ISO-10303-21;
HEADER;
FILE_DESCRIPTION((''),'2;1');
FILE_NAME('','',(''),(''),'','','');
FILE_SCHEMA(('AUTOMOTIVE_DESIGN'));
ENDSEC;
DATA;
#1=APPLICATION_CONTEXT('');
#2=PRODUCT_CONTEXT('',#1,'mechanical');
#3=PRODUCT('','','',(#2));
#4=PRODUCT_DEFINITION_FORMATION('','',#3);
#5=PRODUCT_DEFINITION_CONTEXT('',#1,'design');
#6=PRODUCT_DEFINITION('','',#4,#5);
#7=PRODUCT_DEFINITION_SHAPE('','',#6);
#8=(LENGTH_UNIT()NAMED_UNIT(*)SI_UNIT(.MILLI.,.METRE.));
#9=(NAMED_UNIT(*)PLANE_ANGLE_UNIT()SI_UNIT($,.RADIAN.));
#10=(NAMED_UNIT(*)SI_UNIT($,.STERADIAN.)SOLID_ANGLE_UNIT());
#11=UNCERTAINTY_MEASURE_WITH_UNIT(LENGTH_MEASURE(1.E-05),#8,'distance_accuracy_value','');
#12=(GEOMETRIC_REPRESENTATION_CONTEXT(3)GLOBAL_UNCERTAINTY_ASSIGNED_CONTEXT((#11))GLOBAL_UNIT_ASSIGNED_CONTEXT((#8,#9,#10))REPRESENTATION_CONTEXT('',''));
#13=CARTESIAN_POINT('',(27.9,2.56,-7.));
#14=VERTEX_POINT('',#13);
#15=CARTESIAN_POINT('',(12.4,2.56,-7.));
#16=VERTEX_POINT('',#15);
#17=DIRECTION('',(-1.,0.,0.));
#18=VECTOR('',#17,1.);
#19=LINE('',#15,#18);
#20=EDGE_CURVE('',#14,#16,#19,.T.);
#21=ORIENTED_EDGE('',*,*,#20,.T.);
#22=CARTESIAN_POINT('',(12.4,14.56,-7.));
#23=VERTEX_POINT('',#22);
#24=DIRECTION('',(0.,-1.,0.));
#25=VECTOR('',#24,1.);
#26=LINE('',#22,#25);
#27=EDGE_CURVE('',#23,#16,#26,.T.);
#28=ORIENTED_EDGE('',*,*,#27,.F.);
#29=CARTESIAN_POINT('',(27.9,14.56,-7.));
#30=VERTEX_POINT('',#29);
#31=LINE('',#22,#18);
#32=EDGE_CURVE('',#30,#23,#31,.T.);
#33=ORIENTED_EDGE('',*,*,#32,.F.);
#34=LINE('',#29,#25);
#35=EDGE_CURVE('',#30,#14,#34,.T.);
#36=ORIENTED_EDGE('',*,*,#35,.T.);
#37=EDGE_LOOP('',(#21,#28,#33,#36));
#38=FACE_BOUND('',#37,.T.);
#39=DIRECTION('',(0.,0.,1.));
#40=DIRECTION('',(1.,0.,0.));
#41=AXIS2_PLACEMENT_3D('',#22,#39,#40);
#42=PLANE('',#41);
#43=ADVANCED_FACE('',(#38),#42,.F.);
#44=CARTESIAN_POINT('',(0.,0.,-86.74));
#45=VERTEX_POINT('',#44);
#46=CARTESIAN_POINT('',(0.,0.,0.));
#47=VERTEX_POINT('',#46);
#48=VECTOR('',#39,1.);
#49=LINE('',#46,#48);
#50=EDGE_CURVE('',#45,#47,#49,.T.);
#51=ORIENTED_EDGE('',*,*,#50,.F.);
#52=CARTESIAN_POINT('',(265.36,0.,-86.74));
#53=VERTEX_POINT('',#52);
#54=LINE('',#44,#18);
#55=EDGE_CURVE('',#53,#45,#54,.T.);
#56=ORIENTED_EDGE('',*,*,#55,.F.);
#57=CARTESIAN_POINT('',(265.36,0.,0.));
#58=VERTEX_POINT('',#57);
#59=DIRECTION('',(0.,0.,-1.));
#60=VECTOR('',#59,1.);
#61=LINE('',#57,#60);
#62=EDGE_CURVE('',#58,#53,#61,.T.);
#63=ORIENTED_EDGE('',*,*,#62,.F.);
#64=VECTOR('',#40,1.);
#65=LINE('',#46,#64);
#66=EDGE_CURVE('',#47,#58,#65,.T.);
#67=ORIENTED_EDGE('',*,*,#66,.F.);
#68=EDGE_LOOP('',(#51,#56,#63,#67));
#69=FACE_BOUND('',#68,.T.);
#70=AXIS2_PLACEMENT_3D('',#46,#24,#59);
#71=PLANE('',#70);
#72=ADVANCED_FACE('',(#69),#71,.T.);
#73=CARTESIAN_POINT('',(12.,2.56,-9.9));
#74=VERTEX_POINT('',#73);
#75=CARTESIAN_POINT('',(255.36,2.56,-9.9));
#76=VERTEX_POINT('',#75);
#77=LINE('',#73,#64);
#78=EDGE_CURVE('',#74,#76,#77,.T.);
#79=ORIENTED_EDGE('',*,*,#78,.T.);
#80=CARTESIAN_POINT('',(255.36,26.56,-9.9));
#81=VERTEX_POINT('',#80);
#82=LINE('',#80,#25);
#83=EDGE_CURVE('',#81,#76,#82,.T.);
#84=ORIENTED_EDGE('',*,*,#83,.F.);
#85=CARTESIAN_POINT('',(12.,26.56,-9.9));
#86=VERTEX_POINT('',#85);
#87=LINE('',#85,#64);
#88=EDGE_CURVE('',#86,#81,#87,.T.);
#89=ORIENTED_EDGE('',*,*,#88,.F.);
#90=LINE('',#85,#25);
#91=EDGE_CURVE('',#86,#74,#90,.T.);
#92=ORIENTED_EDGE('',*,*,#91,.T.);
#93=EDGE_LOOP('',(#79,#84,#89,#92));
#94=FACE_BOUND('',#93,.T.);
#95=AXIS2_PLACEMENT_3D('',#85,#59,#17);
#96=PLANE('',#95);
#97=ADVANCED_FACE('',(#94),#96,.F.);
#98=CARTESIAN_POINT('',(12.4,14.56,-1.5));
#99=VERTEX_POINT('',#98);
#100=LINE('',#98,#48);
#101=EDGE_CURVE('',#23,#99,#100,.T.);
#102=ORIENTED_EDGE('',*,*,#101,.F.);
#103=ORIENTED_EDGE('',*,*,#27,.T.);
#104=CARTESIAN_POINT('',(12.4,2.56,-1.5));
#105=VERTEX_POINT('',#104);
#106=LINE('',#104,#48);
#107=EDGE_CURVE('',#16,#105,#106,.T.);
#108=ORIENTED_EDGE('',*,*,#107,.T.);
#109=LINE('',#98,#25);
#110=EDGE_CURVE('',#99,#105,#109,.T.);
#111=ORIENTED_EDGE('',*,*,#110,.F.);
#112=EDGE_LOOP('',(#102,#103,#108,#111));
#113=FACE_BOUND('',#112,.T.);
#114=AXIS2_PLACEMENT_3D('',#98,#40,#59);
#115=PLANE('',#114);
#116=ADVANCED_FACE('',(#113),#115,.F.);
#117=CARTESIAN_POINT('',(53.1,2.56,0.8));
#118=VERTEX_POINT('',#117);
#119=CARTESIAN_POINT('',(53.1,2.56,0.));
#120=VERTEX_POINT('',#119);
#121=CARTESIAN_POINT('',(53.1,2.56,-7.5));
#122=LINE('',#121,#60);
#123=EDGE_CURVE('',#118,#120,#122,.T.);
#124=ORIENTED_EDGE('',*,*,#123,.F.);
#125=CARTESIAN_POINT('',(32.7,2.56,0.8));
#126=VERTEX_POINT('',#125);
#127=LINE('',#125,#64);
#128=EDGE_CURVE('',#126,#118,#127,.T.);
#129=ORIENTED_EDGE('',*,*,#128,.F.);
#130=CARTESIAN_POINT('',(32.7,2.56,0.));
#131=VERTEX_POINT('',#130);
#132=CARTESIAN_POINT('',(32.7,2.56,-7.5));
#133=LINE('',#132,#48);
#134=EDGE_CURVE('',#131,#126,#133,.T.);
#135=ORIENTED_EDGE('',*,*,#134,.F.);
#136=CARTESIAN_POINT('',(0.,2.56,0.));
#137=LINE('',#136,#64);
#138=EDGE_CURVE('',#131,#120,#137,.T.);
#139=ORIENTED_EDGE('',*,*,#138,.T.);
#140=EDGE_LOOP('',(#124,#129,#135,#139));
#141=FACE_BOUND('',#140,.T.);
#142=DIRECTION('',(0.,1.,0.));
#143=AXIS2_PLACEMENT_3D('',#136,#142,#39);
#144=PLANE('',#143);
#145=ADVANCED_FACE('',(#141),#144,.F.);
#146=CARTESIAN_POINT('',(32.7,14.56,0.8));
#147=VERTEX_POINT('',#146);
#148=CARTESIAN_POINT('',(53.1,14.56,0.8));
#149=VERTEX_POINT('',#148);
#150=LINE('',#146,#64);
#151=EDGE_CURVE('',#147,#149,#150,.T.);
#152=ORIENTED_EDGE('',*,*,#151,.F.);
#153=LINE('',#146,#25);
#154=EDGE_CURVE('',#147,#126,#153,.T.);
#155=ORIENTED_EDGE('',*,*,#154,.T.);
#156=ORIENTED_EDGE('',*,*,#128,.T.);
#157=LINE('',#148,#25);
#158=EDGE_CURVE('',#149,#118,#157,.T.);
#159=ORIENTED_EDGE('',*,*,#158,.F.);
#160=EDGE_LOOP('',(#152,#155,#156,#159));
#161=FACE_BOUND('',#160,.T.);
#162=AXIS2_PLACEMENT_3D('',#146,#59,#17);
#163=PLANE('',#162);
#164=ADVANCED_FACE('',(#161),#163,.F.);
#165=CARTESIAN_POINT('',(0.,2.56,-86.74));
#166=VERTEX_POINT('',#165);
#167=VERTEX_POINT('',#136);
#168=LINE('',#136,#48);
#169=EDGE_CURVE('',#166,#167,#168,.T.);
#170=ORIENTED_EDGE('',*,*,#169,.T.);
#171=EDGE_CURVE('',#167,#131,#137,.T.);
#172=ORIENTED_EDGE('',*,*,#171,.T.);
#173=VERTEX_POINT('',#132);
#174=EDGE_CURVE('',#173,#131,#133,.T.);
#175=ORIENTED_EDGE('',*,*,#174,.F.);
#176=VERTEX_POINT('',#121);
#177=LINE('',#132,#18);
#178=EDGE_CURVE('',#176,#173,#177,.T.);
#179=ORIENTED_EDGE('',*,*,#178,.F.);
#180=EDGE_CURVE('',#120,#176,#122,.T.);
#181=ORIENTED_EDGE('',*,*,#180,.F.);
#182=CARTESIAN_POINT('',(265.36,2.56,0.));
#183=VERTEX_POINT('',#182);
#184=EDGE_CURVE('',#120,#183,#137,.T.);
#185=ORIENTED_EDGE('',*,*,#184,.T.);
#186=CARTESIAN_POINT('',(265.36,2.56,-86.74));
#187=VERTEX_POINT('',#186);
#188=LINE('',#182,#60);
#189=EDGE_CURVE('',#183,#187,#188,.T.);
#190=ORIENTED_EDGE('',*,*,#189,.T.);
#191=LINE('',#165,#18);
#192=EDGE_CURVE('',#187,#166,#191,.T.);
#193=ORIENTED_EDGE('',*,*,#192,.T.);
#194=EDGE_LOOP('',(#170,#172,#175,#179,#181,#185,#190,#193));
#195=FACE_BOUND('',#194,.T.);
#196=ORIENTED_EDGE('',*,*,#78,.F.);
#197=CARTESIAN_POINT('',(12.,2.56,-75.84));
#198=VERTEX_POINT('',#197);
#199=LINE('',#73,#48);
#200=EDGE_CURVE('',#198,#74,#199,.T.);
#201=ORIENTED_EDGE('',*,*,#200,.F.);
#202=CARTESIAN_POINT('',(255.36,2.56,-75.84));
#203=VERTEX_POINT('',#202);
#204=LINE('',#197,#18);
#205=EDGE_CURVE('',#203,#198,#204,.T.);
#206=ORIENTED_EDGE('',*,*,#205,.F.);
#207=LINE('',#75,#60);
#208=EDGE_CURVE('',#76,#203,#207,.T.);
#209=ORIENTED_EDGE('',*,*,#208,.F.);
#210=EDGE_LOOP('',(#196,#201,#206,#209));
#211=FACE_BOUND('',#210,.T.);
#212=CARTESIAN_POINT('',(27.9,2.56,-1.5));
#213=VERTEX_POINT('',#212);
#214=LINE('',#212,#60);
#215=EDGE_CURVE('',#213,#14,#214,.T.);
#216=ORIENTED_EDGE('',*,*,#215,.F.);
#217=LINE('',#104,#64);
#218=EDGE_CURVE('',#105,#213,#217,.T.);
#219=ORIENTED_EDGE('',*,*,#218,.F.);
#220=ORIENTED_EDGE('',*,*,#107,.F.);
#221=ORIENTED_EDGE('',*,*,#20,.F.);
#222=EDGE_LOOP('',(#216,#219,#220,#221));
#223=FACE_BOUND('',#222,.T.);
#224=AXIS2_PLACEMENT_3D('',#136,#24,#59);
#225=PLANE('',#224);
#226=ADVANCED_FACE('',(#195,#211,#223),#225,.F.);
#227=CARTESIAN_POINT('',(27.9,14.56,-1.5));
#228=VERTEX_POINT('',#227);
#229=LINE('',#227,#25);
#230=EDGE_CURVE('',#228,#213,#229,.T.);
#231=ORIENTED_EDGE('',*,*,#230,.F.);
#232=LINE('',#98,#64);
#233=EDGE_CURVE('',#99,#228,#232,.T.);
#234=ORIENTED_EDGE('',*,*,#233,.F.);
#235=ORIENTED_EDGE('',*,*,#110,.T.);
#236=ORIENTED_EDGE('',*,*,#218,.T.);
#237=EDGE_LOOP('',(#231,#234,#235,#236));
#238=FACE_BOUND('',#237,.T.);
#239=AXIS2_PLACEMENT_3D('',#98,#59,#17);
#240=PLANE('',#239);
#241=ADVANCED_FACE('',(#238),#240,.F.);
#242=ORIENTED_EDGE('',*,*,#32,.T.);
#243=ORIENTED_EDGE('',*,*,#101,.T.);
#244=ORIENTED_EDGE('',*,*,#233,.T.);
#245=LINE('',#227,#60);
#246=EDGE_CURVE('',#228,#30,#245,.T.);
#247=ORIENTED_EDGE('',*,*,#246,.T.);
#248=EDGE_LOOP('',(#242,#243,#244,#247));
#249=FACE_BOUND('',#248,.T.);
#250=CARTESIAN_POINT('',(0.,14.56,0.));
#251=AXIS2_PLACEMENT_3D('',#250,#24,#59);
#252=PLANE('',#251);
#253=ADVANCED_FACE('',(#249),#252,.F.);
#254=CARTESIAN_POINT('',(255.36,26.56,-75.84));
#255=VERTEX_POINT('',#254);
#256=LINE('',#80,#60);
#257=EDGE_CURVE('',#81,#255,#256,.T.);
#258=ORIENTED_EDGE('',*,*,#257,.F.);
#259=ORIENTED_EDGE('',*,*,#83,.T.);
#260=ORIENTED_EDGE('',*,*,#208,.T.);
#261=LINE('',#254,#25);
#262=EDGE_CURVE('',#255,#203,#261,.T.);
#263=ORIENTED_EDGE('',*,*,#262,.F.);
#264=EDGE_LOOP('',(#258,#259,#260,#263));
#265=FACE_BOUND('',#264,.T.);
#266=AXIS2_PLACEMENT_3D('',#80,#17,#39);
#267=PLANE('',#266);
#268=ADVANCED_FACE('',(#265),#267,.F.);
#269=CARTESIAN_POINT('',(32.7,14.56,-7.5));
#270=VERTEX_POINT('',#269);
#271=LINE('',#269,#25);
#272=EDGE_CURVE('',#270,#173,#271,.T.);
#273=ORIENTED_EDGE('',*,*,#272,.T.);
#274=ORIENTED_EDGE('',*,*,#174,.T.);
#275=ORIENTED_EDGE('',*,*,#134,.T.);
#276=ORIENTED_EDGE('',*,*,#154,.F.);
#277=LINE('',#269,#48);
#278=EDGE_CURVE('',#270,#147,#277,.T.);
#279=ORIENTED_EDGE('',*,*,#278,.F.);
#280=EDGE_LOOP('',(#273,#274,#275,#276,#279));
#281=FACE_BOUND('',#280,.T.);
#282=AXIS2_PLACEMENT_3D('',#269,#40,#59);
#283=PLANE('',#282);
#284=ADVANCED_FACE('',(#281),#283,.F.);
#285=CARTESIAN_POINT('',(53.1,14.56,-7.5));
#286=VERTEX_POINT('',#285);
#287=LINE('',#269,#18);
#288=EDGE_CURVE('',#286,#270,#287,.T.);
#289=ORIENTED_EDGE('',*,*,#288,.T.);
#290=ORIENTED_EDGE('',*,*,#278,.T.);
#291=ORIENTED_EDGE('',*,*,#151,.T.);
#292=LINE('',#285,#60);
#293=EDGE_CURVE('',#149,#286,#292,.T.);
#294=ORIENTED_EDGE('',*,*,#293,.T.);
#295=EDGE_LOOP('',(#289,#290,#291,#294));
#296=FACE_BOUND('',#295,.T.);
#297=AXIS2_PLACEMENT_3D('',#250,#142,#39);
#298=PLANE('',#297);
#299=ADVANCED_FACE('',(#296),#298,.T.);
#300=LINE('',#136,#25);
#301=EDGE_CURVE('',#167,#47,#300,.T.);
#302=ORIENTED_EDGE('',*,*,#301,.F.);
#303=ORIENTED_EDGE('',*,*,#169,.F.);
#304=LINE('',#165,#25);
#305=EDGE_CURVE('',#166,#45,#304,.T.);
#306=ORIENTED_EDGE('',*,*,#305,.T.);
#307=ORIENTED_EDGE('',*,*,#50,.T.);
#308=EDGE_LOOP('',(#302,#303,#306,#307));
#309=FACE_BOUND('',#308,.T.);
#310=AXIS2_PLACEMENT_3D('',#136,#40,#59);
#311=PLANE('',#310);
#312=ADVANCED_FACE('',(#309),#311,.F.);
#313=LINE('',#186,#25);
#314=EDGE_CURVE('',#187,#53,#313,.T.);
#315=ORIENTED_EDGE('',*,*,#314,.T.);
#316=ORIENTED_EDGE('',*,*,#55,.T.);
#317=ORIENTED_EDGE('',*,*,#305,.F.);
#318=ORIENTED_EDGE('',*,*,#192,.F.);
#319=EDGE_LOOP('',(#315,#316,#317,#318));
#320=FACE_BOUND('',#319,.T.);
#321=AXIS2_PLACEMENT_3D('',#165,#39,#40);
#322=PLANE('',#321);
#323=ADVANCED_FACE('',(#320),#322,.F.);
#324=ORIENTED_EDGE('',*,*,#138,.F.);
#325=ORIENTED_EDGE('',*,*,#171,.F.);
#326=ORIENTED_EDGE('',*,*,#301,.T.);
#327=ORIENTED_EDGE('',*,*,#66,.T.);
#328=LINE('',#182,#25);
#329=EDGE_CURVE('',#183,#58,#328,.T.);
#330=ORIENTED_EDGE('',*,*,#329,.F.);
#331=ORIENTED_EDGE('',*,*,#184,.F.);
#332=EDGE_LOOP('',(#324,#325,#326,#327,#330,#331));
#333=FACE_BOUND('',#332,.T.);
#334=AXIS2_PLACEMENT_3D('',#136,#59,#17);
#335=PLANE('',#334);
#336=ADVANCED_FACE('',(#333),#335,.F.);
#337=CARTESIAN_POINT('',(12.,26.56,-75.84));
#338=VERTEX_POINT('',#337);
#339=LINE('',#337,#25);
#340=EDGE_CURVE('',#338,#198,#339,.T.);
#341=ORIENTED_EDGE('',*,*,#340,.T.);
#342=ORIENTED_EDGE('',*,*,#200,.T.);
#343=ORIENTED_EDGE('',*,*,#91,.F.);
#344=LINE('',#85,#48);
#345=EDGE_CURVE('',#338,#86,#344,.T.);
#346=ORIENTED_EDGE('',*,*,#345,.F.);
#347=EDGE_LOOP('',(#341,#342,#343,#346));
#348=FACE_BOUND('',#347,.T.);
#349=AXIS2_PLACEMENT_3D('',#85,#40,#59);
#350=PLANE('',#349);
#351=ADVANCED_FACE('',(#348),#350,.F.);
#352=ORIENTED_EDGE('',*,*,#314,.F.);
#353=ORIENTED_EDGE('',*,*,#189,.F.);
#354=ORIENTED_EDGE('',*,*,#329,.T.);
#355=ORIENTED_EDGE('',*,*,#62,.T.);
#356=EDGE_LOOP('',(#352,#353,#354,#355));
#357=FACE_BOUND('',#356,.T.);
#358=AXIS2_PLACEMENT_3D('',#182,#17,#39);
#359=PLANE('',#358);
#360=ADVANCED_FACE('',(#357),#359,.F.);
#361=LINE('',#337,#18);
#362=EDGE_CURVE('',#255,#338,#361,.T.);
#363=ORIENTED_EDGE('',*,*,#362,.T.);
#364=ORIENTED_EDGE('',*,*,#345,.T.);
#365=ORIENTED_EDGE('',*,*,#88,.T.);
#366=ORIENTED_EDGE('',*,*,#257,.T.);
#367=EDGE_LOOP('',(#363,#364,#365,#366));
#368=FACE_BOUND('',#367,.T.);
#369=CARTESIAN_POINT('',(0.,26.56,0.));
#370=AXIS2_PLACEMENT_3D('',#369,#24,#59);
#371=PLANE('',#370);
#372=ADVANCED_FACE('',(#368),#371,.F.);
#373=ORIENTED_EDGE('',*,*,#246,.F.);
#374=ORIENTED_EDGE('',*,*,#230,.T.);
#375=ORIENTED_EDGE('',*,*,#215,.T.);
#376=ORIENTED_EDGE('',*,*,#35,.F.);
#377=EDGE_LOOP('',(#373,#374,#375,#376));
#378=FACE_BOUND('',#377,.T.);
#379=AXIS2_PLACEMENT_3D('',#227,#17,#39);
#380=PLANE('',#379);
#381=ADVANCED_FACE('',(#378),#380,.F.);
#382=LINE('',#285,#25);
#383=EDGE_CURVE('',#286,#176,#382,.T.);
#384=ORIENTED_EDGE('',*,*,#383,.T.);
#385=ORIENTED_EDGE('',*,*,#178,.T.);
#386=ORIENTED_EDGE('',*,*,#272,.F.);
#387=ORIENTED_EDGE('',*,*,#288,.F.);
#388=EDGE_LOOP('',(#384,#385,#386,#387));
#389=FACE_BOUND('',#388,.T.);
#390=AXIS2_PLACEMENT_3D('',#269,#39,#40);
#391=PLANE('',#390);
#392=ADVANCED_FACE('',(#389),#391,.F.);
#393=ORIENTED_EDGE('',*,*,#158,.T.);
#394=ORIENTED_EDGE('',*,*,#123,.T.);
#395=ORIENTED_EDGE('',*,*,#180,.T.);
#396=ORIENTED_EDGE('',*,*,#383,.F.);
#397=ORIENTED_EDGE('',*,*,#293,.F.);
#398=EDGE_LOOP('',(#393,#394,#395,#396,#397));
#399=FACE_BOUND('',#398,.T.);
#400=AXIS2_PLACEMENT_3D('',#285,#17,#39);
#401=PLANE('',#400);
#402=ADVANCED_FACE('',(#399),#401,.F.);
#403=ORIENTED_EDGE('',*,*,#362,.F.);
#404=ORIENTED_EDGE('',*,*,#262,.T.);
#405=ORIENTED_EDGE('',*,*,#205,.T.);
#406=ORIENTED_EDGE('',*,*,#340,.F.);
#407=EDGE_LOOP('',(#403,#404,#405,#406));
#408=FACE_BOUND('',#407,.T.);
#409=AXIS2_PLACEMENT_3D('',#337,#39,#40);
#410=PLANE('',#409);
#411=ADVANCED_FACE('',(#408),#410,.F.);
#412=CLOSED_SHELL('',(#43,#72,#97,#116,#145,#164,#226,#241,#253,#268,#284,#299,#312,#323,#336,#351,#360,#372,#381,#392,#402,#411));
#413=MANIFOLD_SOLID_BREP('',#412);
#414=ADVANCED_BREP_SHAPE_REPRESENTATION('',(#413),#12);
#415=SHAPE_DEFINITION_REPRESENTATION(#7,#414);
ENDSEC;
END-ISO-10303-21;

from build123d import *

# Parameters (mm, degrees)
SKETCH1_W           = 265.36
SKETCH1_H           = 86.74
BOSS_EXTRUDE1_DEPTH = 2.56
SKETCH2_W           = 243.36
SKETCH2_H           = 65.94
BOSS_EXTRUDE2_DEPTH = 24
SKETCH3_W           = 15.5
SKETCH3_H           = 5.5
SKETCH3_W_2         = 20.4
SKETCH3_H_2         = 8.3
BOSS_EXTRUDE3_DEPTH = 12


with BuildPart() as part:
    # Sketch1 → Boss-Extrude1 (new body)
    with BuildSketch(Plane(origin=(0, 0, 0), x_dir=(1, 0, 0), z_dir=(0, 1, 0))):
        with Locations((132.68, 43.37)):
            Rectangle(SKETCH1_W, SKETCH1_H)
    extrude(amount=BOSS_EXTRUDE1_DEPTH)

    # Sketch2 → Boss-Extrude2 (add)
    with BuildSketch(Plane(origin=(0, 2.56, 0), x_dir=(1, 0, 0), z_dir=(0, 1, 0))):
        with Locations((133.68, 42.87)):
            Rectangle(SKETCH2_W, SKETCH2_H)
    extrude(amount=BOSS_EXTRUDE2_DEPTH)

    # Sketch3 → Boss-Extrude3 (add)
    with BuildSketch(Plane(origin=(0, 2.56, 0), x_dir=(1, 0, 0), z_dir=(0, 1, 0))):
        with Locations((20.15, 4.25)):
            Rectangle(SKETCH3_W, SKETCH3_H)
        with Locations((42.9, 3.35)):
            Rectangle(SKETCH3_W_2, SKETCH3_H_2)
    extrude(amount=BOSS_EXTRUDE3_DEPTH)


solid = part.part
